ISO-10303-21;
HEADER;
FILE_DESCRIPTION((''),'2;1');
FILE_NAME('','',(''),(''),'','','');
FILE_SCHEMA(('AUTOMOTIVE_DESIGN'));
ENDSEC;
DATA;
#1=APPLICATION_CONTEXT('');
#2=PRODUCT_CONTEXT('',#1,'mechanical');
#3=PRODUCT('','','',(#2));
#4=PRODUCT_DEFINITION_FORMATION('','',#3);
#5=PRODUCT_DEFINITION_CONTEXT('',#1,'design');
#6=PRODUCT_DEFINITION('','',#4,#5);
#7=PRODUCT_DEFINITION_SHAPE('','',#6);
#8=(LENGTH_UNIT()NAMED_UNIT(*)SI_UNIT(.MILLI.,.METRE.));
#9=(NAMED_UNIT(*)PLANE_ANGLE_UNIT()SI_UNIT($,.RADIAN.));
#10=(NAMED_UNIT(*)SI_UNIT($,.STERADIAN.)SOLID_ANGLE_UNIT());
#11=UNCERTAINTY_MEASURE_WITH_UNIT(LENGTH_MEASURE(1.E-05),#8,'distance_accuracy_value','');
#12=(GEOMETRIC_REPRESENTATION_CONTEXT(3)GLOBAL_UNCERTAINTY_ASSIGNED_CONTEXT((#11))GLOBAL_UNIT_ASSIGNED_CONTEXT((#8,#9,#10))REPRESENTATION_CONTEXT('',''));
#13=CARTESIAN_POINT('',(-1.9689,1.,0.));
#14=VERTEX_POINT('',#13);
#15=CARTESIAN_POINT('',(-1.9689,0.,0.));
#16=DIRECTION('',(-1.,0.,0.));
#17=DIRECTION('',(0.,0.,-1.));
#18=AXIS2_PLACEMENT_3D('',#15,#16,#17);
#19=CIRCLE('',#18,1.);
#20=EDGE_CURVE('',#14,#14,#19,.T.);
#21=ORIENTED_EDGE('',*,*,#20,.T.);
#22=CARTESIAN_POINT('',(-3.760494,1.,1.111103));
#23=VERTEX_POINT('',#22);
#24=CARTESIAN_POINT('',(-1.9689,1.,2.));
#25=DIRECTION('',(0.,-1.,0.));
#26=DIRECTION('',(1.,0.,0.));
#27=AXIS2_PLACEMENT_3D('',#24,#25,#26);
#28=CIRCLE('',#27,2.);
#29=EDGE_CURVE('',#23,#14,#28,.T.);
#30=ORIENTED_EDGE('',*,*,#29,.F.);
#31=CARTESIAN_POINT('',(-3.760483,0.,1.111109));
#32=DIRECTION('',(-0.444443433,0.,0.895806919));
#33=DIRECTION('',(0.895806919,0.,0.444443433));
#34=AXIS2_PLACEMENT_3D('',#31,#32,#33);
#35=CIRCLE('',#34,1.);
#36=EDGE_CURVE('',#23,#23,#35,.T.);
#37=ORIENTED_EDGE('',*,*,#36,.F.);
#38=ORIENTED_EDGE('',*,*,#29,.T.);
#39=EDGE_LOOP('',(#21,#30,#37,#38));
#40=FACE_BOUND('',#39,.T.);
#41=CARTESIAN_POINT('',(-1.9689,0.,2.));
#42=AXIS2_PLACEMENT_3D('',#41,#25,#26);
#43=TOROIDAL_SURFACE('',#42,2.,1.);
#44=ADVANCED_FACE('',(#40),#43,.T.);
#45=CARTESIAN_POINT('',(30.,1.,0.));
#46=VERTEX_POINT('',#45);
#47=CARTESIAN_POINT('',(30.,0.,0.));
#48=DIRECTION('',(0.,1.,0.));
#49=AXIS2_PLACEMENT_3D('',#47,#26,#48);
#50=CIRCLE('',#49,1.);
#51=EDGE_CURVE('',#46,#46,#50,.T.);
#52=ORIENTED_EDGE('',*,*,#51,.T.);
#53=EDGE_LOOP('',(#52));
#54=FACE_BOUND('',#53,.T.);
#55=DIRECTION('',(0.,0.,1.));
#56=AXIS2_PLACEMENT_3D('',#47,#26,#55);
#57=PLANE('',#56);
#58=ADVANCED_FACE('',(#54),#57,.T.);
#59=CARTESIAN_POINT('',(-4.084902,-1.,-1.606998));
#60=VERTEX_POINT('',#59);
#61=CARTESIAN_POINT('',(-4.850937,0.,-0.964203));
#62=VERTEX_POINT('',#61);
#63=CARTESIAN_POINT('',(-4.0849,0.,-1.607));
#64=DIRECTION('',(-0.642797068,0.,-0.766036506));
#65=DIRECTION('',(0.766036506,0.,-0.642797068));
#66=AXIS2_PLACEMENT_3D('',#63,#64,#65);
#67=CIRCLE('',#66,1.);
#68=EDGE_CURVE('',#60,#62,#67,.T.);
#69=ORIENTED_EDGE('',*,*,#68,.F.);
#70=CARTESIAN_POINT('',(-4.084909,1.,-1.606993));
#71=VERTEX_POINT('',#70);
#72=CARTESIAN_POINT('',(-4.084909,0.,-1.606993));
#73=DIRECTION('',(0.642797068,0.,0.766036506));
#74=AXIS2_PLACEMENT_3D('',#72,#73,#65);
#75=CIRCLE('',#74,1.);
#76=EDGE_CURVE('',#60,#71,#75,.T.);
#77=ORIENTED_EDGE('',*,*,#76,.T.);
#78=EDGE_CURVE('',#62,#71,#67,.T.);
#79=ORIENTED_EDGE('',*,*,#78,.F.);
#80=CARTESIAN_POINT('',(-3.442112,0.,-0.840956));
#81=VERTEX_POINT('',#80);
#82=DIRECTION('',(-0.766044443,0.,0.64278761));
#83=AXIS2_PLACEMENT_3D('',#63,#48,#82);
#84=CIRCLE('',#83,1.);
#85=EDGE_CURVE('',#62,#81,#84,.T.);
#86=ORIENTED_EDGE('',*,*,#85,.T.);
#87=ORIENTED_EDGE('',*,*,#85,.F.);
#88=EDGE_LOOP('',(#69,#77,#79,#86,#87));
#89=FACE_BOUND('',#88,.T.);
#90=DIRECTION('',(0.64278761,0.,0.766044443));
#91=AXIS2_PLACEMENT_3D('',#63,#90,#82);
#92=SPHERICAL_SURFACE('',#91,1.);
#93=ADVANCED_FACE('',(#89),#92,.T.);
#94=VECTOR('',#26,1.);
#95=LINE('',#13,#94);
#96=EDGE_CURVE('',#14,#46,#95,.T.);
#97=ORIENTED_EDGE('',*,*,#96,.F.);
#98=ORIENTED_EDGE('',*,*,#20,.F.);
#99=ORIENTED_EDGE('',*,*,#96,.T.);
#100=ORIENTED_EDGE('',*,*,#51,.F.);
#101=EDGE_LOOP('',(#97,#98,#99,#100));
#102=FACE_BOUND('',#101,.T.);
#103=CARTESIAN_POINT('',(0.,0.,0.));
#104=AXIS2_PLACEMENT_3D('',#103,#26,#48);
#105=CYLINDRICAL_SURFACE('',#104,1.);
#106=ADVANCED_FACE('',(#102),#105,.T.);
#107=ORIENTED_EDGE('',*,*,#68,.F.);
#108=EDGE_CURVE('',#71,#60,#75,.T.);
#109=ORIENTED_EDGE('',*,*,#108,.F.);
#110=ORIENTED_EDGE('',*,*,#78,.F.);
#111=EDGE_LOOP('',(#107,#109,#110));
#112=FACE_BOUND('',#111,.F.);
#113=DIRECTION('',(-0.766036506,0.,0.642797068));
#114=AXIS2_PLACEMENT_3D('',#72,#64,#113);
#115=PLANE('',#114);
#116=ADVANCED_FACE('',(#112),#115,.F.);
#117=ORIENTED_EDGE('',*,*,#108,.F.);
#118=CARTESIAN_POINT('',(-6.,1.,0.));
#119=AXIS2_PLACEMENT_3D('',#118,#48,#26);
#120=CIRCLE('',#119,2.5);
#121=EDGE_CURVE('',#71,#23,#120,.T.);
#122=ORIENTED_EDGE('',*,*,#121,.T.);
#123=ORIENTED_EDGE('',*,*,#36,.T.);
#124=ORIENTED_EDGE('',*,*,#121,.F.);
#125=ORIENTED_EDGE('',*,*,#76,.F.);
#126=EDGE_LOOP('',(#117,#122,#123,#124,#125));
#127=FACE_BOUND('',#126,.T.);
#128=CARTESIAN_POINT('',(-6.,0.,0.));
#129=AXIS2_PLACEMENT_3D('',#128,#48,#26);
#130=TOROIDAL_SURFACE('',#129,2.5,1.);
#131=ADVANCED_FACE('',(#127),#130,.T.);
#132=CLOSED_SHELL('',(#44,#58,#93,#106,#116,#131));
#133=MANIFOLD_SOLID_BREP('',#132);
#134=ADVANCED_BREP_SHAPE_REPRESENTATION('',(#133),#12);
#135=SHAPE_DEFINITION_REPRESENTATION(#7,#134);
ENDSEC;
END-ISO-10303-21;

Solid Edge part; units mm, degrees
sketch "Sketch1" plane through (0, 0, 0) normal (0, -1, 0) x (1, 0, 0)
  line L0 (0, 0) -> (30, 0)
  line L1 (0, 0) -> (-1.9689, 0)
  arc A0 (-3.7605, 1.1111) -> (-1.9689, 0) centre (-1.9689, 2) ccw
  arc A1 (-3.7605, 1.1111) -> (-4.0849, -1.607) centre (-6, 0) ccw
sketch "Sketch2" plane through (30, 0, 0) normal (1, 0, 0) x (0, 1, 0)
  circle A0 centre (0, 0) radius 1
sweep "SweptProtrusion_1" add profiles "Sketch2" path "Sketch1"
sketch "Sketch3" plane through (-4.0849, 0, -1.607) normal (0, 1, 0) x (-0.766, 0, 0.6428)
  arc A0 (1, 0) -> (0, 1) centre (0, 0) ccw
  line L0 (0, 0) -> (1, 0)
revolve "RevolvedProtrusion_1" add sketch "Sketch3" angle 360 about axis through (-4.0849, 0, -1.607) along (0.6428, 0, 0.766)
properties material "Galvanized steel"
